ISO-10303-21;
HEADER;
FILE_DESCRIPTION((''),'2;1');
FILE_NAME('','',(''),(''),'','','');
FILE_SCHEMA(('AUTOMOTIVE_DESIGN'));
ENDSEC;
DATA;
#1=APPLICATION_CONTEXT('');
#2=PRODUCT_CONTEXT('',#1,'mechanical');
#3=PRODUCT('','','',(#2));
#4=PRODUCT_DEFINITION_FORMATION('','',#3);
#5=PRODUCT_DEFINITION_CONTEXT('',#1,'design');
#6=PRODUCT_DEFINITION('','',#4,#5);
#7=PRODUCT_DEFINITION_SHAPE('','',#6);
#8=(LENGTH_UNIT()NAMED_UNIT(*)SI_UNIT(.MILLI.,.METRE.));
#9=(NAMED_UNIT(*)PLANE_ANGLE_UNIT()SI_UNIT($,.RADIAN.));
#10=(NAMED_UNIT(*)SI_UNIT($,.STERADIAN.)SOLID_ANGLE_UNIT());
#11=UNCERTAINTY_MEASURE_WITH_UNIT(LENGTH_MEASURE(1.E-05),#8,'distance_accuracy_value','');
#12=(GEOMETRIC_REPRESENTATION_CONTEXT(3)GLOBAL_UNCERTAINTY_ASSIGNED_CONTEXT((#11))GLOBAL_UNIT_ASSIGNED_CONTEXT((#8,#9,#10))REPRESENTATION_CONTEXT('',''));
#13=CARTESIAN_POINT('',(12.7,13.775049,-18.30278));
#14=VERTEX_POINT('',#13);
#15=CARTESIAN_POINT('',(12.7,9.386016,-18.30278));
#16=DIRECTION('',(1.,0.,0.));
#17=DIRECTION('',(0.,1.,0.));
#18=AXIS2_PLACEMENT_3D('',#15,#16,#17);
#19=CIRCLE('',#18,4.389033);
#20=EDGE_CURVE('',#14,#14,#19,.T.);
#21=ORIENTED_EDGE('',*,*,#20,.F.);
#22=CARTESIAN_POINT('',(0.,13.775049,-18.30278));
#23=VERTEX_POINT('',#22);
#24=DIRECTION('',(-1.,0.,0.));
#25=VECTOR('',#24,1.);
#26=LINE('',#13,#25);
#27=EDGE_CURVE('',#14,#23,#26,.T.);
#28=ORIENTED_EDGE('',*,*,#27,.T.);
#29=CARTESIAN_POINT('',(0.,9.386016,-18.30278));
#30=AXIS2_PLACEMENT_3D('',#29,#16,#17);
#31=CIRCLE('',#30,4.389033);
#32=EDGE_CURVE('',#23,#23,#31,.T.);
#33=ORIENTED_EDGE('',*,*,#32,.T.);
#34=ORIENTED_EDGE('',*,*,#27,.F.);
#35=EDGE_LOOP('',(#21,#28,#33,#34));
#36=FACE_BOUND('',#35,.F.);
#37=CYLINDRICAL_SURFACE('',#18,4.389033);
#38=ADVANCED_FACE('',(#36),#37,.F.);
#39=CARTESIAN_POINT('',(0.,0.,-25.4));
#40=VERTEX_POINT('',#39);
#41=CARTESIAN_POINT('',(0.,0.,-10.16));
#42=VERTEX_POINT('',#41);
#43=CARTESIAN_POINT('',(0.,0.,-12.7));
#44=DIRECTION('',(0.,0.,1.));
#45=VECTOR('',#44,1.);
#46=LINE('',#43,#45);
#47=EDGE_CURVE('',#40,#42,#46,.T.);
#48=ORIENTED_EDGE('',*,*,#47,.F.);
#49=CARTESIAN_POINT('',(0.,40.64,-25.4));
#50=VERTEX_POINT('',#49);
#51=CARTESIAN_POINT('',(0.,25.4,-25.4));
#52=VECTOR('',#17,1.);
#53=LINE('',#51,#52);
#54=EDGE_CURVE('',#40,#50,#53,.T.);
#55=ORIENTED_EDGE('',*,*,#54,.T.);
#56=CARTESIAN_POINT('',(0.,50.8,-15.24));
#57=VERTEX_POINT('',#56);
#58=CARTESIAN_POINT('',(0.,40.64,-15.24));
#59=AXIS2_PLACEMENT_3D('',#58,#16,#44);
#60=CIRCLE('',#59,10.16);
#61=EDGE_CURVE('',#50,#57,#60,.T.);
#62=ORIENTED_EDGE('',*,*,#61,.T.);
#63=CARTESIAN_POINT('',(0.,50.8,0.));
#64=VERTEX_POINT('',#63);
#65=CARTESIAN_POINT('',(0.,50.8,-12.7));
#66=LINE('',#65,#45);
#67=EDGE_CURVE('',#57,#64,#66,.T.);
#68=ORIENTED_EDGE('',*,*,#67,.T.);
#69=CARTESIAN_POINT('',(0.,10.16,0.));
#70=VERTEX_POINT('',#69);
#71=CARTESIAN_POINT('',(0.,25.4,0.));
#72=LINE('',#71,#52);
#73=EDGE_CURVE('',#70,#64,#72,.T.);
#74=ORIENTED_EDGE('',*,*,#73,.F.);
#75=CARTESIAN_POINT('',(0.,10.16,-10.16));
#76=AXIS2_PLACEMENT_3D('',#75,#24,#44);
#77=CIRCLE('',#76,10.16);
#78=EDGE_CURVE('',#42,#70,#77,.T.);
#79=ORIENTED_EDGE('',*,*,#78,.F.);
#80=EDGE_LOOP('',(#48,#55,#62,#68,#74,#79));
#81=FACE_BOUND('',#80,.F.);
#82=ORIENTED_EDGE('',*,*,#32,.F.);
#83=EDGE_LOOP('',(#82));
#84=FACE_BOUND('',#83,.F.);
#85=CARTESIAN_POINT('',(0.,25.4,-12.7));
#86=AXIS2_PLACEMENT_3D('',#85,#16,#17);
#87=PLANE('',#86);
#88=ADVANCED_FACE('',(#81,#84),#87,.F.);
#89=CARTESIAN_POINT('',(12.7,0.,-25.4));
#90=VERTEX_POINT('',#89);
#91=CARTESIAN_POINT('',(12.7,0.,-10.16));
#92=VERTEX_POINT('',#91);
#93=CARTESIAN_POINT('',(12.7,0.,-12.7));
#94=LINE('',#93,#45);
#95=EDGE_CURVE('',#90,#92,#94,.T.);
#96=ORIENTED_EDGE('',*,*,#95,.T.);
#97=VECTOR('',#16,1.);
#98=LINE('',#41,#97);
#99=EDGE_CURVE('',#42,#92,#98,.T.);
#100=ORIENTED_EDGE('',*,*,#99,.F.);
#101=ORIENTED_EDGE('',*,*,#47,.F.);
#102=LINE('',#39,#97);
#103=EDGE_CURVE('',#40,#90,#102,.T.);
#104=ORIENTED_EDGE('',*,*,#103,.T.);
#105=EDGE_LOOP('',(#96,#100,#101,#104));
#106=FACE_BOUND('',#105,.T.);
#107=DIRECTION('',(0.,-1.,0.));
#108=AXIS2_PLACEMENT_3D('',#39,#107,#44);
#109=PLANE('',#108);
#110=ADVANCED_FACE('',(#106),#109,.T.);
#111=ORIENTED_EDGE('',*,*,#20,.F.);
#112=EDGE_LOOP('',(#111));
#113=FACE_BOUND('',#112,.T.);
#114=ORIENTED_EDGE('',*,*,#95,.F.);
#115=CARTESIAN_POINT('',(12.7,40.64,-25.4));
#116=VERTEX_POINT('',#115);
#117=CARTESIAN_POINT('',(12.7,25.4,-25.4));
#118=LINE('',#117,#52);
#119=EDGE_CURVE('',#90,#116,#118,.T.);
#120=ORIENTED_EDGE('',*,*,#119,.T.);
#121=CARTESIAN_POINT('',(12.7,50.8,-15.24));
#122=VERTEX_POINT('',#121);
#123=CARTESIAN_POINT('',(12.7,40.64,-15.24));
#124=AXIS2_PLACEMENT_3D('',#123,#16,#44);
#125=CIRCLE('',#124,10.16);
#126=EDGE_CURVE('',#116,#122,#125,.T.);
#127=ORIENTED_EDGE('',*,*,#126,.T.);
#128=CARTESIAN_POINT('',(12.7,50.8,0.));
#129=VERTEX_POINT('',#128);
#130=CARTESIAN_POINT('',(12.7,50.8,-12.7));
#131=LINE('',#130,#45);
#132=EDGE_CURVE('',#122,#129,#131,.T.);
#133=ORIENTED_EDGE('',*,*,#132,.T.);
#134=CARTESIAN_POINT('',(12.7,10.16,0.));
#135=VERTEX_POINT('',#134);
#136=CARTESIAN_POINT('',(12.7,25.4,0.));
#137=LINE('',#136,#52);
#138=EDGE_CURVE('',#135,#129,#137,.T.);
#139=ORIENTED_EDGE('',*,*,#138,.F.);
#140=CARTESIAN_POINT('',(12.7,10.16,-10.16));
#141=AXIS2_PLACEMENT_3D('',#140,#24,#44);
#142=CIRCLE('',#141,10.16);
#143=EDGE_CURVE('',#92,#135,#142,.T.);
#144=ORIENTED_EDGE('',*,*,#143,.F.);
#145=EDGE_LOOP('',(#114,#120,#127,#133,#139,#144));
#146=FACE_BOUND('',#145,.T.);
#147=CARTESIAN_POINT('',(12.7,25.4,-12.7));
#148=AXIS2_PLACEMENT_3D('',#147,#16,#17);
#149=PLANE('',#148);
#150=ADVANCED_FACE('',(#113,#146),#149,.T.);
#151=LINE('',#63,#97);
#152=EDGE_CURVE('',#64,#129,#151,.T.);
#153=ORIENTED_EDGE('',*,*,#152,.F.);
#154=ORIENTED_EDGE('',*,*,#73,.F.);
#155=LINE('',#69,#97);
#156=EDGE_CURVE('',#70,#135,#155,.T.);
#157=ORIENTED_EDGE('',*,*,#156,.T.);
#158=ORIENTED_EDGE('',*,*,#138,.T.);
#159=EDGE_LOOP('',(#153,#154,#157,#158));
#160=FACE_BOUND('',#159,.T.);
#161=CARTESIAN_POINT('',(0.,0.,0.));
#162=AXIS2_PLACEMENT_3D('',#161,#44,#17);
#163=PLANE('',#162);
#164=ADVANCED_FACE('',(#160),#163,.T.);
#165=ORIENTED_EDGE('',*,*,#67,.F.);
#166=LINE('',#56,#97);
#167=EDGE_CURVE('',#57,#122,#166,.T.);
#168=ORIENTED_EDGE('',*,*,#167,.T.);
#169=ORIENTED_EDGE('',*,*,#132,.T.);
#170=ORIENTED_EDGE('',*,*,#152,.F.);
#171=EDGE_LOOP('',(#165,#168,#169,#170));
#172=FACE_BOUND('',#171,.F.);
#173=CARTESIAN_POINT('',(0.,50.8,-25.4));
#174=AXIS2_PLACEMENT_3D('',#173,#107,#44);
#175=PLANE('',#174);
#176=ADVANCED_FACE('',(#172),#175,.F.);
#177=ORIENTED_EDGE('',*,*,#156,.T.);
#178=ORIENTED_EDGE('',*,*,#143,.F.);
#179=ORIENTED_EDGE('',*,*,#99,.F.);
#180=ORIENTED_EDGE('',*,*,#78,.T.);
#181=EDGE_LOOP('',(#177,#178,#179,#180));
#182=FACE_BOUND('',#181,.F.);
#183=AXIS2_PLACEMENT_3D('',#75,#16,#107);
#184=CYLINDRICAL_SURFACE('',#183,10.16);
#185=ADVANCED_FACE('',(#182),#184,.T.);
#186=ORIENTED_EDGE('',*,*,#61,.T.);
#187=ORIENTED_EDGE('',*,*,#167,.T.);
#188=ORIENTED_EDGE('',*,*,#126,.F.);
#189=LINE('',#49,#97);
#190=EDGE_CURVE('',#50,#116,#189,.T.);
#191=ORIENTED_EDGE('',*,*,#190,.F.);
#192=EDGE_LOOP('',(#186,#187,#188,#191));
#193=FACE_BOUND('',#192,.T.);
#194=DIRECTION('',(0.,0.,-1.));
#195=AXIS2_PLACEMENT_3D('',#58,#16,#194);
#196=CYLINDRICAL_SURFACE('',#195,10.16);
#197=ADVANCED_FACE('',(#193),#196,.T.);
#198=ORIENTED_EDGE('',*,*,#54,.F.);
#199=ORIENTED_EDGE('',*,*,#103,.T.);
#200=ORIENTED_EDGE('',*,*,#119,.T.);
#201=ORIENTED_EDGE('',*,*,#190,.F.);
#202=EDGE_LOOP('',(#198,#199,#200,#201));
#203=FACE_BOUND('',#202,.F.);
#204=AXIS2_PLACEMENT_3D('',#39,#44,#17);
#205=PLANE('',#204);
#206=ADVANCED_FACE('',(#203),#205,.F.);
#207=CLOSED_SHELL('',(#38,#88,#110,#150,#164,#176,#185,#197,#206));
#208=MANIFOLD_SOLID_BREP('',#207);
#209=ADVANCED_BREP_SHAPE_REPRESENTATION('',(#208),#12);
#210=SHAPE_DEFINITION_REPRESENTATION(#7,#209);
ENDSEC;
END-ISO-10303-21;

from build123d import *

# Parameters (mm, degrees)
F0_W     = 50.8
F0_H     = 25.4
F1_DEPTH = 12.7
F2_R     = 10.16
F3_R     = 4.389033
F4_DEPTH = 25.4


with BuildPart() as f1:
    # F0 (on Right) → F1 (new body)
    with BuildSketch(Plane.YZ):
        with Locations((25.4, -12.7)):
            Rectangle(F0_W, F0_H)
    extrude(amount=F1_DEPTH)

    # F2
    f2_edges = [f1.edges().sort_by_distance(p)[0] for p in [
        (6.35, 0, 0),
        (6.35, 50.8, -25.4),
    ]]
    fillet(f2_edges, radius=F2_R)

    # F3 (on face) → F4 (cut)
    with BuildSketch(Plane.YZ.offset(12.7)):
        with Locations((9.386016, -18.30278)):
            Circle(F3_R)
    extrude(amount=-F4_DEPTH, mode=Mode.SUBTRACT)


solid = f1.part
